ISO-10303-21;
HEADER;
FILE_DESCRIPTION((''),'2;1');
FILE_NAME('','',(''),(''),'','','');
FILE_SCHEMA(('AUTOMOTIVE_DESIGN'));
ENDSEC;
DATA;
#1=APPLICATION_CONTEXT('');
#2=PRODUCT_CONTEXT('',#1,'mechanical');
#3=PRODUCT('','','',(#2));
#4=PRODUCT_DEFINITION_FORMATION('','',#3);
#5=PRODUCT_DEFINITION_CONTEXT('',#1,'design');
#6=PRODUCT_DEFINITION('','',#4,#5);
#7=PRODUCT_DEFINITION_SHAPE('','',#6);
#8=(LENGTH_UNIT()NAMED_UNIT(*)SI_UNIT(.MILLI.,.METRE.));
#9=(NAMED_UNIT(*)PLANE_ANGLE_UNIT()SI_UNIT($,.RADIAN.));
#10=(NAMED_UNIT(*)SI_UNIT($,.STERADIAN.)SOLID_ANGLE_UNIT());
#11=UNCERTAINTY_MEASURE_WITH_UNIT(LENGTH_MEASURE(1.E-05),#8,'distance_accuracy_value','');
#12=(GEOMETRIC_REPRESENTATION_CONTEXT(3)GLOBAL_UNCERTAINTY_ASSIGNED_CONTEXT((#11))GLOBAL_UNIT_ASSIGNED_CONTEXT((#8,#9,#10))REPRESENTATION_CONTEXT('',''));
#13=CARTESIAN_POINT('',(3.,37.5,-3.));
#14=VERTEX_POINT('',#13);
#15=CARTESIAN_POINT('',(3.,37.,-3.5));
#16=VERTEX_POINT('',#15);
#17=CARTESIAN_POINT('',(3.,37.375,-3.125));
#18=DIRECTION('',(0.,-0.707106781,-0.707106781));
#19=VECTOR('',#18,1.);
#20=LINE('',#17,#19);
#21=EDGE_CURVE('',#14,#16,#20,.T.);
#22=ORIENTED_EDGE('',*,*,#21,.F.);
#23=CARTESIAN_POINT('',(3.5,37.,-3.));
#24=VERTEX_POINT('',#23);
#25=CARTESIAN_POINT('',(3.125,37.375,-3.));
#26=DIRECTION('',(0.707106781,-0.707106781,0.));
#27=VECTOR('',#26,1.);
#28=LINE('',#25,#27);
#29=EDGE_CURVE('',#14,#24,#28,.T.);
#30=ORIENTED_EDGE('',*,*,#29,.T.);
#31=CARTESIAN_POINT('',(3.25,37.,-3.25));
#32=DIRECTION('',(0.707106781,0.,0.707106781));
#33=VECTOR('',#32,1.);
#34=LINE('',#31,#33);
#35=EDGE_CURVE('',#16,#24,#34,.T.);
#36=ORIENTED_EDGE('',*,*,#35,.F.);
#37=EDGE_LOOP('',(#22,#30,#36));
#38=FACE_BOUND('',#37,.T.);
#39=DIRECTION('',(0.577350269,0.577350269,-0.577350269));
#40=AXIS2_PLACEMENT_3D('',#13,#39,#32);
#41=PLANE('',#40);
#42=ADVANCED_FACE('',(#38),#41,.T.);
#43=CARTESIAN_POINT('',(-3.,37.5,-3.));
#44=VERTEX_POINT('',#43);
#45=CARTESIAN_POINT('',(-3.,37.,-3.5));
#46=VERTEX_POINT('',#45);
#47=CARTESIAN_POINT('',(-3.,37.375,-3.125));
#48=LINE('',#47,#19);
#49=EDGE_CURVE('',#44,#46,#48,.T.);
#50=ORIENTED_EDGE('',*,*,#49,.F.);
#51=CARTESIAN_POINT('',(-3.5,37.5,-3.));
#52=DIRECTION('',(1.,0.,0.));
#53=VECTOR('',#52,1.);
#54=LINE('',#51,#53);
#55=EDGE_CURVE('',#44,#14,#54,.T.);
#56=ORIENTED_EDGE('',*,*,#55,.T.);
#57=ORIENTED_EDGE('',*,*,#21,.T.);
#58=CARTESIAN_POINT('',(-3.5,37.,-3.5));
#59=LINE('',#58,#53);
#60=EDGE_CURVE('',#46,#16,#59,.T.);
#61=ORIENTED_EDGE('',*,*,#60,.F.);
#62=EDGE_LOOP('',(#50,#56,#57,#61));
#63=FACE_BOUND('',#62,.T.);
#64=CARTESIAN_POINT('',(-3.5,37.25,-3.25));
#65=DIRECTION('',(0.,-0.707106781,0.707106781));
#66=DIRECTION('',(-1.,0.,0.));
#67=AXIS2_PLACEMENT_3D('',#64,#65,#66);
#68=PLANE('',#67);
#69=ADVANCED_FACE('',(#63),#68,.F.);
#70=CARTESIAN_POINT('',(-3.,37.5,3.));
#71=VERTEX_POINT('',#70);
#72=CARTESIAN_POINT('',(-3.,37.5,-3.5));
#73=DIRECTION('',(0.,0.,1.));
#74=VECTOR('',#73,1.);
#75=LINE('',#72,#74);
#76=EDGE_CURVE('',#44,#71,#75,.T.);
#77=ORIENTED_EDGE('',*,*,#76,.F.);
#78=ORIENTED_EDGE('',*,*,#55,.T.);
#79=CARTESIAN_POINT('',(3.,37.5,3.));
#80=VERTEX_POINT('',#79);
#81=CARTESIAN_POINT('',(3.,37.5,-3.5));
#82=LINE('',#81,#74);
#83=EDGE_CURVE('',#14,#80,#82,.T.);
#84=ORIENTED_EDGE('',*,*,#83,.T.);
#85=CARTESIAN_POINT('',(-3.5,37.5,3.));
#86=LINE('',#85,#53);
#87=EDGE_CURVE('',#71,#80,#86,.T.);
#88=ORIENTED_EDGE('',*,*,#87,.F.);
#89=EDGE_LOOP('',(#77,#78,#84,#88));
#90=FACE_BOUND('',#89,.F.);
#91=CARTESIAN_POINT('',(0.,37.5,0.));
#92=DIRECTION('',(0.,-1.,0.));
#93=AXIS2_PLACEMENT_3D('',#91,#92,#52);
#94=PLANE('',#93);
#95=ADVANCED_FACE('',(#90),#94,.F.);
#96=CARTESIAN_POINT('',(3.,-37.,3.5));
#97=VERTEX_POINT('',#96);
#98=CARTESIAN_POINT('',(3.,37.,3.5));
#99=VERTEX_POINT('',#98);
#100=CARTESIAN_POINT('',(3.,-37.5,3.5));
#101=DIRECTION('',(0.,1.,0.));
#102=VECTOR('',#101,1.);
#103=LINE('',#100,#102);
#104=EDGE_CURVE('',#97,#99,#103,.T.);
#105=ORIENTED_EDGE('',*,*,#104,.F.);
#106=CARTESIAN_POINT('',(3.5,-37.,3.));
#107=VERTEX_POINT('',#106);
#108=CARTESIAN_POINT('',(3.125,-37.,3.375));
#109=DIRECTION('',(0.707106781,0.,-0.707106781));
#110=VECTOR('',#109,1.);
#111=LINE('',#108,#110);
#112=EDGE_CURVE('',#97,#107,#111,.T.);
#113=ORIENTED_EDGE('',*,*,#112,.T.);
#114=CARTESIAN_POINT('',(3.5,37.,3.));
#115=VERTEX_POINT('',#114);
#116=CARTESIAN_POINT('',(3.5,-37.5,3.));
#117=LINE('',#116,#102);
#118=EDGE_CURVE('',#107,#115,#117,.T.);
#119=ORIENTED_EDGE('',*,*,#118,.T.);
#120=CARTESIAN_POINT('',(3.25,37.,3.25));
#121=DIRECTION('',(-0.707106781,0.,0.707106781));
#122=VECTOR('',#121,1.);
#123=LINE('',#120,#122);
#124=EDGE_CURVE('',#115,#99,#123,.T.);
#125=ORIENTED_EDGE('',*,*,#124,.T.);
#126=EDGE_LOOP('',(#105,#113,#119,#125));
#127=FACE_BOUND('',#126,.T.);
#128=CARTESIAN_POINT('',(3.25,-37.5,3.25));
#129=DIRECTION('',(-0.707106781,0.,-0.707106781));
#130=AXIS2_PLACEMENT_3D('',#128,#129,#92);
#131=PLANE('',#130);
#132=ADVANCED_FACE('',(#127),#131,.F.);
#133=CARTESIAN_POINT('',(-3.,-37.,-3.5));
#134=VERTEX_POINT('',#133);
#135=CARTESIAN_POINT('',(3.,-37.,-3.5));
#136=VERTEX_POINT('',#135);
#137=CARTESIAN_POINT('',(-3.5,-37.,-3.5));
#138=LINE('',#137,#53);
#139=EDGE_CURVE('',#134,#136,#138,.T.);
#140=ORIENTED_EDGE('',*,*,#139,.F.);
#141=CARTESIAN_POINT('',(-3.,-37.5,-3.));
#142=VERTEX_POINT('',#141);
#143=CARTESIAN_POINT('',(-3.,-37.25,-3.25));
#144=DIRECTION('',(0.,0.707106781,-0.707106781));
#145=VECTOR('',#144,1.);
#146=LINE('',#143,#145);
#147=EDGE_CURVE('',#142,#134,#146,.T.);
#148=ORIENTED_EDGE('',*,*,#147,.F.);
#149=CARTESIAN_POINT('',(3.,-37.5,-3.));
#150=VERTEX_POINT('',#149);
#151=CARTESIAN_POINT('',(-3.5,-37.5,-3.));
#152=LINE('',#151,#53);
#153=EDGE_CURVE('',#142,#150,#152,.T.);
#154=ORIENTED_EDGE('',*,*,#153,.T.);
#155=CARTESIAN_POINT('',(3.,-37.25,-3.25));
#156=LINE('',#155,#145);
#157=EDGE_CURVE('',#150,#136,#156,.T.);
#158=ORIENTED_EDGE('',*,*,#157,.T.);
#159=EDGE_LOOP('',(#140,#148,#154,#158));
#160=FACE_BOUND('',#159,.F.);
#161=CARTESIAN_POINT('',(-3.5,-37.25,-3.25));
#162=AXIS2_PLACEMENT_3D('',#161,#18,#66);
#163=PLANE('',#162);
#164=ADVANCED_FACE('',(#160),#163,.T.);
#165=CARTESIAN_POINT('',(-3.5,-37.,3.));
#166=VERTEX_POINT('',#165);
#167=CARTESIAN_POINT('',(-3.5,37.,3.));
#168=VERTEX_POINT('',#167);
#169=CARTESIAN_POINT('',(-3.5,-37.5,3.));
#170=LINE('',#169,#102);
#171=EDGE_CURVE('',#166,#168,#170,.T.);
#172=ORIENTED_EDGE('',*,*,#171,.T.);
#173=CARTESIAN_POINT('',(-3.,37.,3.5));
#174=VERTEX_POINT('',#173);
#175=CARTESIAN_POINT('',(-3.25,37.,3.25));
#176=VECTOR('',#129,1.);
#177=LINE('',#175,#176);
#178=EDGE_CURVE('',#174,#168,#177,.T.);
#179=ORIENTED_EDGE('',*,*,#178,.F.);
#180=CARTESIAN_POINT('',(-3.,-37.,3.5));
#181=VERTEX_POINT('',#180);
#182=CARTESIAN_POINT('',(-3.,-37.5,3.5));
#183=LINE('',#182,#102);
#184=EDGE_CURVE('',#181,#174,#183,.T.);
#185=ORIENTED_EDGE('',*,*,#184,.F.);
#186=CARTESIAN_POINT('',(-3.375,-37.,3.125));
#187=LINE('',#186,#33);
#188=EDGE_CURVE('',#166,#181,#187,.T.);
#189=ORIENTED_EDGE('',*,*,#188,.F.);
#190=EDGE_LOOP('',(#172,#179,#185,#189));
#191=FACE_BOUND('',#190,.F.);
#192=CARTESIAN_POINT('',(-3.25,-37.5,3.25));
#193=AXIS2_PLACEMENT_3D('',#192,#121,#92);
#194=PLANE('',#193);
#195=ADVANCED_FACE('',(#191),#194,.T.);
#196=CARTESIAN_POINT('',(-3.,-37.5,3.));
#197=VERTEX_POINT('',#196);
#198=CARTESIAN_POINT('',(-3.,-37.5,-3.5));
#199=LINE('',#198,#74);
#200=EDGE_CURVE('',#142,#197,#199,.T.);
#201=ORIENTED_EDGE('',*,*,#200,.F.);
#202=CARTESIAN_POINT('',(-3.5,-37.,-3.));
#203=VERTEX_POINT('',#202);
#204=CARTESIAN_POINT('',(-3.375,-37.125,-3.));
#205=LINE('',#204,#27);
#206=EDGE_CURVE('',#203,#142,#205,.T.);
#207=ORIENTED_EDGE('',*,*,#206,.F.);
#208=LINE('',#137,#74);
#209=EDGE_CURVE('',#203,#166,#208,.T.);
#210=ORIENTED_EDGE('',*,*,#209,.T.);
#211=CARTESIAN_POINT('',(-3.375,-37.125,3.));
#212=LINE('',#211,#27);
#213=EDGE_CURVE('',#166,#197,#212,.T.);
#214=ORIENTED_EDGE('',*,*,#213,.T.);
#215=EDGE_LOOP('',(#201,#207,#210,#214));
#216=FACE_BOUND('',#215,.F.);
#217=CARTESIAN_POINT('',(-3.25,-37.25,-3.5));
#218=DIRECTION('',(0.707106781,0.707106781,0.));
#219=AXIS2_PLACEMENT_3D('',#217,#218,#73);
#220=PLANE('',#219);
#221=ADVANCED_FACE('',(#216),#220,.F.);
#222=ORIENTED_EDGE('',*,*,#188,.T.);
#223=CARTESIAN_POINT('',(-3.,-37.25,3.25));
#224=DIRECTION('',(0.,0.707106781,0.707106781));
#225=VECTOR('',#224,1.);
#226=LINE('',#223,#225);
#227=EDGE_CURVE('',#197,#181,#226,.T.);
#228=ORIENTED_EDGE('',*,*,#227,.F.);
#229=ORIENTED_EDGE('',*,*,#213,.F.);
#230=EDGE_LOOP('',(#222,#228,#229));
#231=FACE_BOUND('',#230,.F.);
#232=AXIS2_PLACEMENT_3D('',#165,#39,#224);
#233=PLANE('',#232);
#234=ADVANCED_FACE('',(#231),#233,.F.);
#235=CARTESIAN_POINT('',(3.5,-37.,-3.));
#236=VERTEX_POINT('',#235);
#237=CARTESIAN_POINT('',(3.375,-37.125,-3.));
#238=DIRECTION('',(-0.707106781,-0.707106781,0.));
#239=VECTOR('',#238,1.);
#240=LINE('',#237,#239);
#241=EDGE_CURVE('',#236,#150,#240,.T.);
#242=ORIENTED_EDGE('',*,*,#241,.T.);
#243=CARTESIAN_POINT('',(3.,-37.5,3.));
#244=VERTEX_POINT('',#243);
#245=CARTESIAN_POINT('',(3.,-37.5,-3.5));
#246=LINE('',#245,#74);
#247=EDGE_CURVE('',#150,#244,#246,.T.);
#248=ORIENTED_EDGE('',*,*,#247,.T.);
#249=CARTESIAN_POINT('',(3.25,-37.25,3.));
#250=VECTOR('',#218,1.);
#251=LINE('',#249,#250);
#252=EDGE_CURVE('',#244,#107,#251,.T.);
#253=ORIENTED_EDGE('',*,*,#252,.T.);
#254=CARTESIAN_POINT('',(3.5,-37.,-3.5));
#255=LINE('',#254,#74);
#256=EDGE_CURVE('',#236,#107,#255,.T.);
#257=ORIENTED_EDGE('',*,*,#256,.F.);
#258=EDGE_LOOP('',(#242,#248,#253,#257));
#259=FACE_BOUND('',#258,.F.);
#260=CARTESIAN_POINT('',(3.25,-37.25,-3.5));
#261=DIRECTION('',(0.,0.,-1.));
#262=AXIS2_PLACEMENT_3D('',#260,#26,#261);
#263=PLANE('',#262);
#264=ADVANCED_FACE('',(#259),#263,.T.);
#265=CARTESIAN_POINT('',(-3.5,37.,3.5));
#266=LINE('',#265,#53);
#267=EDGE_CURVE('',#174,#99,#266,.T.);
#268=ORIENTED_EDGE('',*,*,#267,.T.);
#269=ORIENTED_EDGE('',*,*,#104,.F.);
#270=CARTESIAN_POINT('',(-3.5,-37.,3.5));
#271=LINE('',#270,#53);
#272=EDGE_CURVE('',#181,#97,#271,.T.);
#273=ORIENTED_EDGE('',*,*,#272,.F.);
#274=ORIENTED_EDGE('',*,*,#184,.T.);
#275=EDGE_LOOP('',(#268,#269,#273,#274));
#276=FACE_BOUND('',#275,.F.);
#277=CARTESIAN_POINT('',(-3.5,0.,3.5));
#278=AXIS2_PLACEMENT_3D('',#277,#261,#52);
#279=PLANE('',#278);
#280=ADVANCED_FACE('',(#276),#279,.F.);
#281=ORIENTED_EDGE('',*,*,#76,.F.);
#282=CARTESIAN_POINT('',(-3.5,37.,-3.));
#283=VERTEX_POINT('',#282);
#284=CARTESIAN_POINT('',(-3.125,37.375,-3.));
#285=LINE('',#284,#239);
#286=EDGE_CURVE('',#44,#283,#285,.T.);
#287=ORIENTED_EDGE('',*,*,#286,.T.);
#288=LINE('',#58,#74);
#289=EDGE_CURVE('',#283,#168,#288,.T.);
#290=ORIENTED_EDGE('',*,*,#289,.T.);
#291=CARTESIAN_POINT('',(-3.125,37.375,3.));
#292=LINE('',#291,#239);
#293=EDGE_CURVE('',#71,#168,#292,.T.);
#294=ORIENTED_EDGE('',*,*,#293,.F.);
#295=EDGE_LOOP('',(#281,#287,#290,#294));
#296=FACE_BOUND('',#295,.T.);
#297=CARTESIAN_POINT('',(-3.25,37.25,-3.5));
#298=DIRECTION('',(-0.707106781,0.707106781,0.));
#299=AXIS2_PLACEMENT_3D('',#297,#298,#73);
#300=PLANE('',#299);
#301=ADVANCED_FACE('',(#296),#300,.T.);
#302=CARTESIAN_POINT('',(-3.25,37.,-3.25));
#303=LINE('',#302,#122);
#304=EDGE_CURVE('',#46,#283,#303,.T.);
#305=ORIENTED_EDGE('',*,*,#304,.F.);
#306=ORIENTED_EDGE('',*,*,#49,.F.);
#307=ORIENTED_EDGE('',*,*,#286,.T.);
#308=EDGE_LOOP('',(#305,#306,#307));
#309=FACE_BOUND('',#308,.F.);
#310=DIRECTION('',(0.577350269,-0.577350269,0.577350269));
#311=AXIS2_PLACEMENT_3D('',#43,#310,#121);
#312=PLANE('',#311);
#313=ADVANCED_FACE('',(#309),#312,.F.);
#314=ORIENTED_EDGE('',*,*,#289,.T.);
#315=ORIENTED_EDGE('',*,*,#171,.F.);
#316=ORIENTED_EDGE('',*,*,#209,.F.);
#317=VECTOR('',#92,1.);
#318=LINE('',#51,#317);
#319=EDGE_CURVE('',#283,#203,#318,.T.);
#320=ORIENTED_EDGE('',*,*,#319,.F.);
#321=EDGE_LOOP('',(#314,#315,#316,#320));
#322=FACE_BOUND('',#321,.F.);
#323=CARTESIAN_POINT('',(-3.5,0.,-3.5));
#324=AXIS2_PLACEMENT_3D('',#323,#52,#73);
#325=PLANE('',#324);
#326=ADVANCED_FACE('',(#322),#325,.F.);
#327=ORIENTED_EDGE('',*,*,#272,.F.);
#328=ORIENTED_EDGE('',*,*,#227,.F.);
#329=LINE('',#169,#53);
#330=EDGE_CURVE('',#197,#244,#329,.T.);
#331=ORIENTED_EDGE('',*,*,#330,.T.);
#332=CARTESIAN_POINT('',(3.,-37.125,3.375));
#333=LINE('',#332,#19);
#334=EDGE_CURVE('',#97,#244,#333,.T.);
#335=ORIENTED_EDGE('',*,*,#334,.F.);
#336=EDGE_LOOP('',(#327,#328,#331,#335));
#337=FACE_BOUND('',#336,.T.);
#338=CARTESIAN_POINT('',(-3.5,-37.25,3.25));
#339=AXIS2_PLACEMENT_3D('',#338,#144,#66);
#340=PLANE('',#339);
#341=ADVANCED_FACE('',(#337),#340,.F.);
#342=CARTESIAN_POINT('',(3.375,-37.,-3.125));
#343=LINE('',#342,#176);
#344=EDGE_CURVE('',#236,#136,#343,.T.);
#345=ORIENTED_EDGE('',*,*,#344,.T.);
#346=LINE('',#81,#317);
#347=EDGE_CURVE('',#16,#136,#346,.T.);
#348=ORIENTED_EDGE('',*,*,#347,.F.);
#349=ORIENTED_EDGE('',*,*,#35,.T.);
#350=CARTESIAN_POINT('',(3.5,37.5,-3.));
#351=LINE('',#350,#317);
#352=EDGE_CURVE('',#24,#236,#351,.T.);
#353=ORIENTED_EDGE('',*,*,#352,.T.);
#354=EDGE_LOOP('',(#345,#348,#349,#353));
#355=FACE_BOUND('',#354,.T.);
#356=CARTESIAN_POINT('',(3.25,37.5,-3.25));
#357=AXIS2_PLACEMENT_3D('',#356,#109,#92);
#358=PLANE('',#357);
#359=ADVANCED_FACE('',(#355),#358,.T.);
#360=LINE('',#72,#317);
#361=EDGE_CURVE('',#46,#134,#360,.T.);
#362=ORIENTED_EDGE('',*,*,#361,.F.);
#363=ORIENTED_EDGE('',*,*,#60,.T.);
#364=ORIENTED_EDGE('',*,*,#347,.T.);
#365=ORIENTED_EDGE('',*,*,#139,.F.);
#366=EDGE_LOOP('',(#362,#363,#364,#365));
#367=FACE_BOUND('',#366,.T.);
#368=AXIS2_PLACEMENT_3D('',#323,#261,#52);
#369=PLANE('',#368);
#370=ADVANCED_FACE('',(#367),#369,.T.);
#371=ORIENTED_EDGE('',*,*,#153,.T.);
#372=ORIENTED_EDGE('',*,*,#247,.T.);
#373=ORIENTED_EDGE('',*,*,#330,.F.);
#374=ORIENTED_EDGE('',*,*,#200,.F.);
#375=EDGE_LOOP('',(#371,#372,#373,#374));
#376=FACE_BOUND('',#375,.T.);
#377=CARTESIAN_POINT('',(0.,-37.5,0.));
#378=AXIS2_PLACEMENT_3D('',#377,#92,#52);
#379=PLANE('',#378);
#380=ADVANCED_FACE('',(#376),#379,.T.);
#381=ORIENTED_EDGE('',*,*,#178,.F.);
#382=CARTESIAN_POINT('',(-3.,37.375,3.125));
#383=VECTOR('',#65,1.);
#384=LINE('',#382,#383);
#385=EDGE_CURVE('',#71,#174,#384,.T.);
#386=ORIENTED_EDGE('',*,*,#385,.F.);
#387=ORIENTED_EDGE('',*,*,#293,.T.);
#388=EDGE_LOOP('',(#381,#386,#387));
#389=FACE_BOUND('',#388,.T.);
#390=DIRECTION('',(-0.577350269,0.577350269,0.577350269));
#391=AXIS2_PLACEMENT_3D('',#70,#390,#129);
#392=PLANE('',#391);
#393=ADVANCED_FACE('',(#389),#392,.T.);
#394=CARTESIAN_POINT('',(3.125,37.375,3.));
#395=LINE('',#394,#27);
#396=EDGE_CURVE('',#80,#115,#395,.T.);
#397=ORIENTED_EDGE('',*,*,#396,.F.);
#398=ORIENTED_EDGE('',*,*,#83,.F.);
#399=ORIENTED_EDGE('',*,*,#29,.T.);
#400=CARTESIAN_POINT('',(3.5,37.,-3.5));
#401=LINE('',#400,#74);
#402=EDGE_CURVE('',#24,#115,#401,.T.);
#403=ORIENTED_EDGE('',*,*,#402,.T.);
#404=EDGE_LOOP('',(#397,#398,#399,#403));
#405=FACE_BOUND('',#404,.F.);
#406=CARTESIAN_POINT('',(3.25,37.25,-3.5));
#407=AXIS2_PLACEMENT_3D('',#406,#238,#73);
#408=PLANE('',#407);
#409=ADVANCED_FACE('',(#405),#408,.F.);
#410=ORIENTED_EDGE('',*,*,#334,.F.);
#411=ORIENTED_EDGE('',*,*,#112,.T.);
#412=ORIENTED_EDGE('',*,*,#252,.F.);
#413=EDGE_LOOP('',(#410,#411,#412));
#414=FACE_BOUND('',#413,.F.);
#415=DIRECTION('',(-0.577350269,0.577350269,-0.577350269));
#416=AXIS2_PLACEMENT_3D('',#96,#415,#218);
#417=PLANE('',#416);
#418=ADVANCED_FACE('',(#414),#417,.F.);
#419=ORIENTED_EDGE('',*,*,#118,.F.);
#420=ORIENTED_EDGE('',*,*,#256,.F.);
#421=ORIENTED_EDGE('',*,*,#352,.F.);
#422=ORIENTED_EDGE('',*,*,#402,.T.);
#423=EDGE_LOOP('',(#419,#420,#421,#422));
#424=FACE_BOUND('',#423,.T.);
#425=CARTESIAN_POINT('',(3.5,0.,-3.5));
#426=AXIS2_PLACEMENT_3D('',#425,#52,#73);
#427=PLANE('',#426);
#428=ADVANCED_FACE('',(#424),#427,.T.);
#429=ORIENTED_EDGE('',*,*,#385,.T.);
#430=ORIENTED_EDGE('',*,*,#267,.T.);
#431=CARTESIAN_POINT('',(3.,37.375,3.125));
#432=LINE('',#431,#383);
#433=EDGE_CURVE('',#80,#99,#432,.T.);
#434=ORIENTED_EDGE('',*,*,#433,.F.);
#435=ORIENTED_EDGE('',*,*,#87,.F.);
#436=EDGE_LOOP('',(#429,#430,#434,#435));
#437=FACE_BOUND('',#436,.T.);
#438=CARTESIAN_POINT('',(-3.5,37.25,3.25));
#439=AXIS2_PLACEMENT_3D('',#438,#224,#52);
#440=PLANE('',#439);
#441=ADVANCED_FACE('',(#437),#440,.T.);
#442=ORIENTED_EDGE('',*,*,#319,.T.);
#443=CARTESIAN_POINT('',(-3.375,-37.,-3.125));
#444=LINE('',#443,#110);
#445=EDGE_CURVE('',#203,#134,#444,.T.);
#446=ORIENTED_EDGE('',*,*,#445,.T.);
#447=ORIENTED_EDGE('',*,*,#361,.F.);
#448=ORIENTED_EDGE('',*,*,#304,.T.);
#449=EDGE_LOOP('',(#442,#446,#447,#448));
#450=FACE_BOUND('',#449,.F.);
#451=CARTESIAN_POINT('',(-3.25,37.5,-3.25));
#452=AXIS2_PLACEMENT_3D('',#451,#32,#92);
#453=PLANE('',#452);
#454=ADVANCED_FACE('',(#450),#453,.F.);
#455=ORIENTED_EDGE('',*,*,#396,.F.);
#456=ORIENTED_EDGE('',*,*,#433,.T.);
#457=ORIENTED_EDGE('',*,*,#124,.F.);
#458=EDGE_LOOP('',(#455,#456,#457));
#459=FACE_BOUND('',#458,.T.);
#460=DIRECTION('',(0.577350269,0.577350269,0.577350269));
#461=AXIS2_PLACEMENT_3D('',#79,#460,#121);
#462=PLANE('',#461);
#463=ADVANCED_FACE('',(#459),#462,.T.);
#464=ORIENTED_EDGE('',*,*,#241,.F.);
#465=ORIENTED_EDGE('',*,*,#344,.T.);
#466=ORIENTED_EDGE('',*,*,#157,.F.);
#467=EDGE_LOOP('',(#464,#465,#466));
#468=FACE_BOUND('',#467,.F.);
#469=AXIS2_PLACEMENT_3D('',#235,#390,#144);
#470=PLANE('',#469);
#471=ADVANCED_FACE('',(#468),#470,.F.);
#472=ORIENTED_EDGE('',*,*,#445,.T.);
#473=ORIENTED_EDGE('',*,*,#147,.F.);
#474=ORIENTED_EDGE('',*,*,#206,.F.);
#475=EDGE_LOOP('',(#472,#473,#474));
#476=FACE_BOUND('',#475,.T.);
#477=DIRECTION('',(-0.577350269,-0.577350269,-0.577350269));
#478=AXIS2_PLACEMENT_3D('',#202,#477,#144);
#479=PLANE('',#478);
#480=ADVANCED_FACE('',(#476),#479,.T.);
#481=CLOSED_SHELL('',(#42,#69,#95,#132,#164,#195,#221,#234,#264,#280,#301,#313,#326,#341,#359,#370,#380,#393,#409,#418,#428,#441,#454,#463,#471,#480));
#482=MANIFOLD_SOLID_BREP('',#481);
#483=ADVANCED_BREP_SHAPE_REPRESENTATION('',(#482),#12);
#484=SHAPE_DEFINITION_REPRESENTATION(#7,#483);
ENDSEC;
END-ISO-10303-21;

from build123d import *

# Parameters (mm, degrees)
F0_W     = 7
F0_H     = 7
F1_DEPTH = 37.5
F2_SIZE  = 0.5


with BuildPart() as f1:
    # F0 (on Front) → F1 (new body, symmetric)
    with BuildSketch(Plane.XZ):
        Rectangle(F0_W, F0_H)
    extrude(amount=F1_DEPTH, both=True)

    # F2
    f2_edges = [f1.edges().sort_by_distance(p)[0] for p in [
        (0, -37.5, -3.5),
        (3.5, -37.5, 0),
        (0, -37.5, 3.5),
        (-3.5, -37.5, 0),
        (3.5, 0, 3.5),
        (3.5, 0, -3.5),
        (-3.5, 0, 3.5),
        (-3.5, 0, -3.5),
        (0, 37.5, -3.5),
        (3.5, 37.5, 0),
        (0, 37.5, 3.5),
        (-3.5, 37.5, 0),
    ]]
    chamfer(f2_edges, length=F2_SIZE)


solid = f1.part
